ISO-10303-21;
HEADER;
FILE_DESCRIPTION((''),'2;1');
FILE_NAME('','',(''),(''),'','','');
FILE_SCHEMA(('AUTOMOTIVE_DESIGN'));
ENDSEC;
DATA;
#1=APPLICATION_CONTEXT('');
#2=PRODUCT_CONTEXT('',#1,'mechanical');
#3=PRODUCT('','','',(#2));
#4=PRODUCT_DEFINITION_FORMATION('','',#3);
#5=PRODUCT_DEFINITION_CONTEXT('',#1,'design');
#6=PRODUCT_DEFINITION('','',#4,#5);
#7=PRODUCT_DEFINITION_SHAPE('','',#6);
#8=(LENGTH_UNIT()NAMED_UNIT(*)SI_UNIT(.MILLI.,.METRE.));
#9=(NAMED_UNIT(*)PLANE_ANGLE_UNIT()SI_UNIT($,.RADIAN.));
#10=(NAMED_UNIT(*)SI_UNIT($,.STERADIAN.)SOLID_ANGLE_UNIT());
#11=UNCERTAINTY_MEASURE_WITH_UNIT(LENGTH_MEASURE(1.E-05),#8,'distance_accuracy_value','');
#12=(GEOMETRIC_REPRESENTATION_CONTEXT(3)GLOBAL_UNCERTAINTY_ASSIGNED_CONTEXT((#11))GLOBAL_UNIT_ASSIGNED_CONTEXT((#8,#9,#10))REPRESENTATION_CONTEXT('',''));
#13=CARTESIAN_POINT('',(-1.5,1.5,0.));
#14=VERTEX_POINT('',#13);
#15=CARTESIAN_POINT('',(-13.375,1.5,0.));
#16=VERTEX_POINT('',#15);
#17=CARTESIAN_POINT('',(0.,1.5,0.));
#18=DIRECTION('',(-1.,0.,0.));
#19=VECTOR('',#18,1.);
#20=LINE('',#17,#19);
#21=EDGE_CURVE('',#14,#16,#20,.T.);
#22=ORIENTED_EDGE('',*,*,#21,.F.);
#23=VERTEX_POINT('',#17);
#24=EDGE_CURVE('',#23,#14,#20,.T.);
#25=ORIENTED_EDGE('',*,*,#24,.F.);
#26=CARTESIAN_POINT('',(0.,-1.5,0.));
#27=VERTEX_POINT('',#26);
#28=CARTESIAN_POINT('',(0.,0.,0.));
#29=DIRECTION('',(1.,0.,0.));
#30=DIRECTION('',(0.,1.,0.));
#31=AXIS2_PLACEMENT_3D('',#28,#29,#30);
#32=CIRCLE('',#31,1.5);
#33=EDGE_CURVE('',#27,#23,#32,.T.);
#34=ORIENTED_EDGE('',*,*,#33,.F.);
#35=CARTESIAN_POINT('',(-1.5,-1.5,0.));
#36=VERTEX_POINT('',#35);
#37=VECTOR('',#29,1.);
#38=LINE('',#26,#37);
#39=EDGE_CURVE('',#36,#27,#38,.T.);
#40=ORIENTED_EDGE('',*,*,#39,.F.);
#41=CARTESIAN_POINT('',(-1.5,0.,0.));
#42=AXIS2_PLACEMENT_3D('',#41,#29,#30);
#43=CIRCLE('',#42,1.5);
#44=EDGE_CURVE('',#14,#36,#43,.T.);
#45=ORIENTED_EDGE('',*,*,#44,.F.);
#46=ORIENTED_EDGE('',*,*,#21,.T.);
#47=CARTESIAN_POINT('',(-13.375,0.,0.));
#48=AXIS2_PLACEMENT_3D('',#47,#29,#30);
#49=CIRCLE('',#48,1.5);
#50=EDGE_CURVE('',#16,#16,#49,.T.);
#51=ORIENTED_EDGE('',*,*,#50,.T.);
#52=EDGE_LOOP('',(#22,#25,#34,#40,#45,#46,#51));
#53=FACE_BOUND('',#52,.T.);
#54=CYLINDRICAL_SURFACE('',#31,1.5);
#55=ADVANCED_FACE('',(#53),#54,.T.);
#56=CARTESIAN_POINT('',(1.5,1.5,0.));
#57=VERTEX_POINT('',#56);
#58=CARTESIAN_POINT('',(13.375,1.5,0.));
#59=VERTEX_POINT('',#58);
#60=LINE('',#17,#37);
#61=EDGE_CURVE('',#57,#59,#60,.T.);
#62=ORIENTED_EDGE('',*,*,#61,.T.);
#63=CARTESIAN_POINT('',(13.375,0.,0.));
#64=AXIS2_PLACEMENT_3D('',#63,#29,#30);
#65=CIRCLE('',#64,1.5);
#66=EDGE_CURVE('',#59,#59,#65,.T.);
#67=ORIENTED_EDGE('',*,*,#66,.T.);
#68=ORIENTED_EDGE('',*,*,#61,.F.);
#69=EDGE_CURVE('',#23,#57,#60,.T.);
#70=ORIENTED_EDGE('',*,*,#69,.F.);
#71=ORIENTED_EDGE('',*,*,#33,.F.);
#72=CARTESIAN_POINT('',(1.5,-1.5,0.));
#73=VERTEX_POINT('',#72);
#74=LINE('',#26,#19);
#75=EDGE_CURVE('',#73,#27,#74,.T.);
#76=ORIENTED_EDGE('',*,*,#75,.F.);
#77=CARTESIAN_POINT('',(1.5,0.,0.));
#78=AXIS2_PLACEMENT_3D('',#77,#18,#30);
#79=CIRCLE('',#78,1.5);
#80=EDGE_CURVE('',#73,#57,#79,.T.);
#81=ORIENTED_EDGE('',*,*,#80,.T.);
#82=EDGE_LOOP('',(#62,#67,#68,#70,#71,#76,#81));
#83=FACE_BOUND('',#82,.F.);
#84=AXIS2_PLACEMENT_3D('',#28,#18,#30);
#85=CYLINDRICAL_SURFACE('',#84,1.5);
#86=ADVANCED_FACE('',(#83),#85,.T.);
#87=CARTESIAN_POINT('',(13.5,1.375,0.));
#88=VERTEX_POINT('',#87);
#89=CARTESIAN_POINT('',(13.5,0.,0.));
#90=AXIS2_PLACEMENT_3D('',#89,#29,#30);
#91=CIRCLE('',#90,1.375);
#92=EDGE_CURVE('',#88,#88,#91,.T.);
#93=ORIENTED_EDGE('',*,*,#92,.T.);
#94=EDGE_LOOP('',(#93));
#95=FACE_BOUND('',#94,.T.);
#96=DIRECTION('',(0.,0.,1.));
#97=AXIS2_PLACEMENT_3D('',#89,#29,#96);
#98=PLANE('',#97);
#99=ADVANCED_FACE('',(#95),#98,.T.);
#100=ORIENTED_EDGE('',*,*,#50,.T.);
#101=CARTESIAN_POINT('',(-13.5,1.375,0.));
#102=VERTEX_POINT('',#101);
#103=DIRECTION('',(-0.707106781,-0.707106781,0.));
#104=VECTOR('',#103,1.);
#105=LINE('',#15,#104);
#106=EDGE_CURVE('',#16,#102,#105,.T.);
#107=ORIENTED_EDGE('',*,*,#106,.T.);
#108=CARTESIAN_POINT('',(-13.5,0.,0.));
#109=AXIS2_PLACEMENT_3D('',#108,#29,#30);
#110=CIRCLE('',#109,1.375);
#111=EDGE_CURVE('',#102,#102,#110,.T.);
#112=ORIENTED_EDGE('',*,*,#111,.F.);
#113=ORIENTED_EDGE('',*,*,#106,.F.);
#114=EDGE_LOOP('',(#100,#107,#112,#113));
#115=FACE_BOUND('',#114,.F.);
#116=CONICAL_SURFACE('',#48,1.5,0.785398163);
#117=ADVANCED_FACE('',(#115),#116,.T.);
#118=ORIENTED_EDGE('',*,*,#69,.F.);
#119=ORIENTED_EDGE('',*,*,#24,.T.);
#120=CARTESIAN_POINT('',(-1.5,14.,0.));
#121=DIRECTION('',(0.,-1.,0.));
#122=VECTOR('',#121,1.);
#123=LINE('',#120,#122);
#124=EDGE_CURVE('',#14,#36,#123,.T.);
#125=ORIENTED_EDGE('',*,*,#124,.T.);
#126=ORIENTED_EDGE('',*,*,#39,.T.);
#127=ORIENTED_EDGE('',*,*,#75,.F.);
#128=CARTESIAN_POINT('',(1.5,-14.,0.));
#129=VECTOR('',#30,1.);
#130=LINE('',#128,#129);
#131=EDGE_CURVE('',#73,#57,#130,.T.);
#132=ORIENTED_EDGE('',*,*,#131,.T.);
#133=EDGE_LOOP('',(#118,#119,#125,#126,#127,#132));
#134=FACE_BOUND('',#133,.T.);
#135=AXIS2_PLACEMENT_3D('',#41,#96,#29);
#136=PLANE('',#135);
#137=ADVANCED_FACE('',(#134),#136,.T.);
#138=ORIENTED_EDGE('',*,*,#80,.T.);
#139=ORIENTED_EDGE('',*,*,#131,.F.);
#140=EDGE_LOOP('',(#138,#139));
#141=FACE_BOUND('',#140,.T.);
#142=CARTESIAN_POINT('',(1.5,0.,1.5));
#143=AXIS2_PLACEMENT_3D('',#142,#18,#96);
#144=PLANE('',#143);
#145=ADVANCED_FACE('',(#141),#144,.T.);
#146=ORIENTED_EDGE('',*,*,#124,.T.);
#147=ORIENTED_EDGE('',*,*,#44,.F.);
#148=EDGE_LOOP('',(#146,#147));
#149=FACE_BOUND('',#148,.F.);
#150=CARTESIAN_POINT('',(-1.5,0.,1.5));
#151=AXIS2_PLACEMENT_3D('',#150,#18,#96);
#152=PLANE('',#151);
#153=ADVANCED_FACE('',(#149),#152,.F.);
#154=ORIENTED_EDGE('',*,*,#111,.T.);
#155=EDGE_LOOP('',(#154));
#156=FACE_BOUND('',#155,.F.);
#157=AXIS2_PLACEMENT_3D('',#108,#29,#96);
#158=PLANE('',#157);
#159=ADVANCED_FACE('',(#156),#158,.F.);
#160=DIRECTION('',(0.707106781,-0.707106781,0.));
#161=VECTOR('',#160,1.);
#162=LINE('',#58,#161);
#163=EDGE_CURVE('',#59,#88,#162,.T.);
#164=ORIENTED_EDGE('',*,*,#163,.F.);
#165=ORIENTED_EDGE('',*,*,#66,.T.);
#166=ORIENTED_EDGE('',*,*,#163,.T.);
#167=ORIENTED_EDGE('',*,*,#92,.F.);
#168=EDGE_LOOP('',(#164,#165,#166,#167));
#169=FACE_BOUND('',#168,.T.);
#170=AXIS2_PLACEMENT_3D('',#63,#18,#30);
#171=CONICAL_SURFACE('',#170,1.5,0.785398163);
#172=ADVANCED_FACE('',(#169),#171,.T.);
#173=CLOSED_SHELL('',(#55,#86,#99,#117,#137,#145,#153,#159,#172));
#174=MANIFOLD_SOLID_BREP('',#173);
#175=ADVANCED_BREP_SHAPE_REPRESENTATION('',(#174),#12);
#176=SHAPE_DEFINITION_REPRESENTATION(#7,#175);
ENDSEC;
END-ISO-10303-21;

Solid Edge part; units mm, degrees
sketch "Sketch1" plane through (0, 0, 0) normal (1, 0, 0) x (0, 1, 0)
  circle A0 centre (0, 0) radius 1.5
  dimension "D1" = 3
extrude "Protrusion1" add sketch "Sketch1" along normal mid plane 27
sketch "Sketch2" plane through (0, 0, 0) normal (0, -1, 0) x (1, 0, 0)
  line L0 (-1.5, 1.5) -> (-1.5, 0)
  line L1 (-1.5, 0) -> (1.5, 0)
  line L2 (1.5, 0) -> (1.5, 1.5)
  dimension "D1" = 3
extrude "Extrusionsausschnitt_1" cut sketch "Sketch2" along normal mid plane 28 material side at (-1.45, 0, 0.75)
chamfer "Fase_1" distance 0.125 angle 45 2 edges at (13.5, -1.5, 0) (-13.5, -1.5, 0)
